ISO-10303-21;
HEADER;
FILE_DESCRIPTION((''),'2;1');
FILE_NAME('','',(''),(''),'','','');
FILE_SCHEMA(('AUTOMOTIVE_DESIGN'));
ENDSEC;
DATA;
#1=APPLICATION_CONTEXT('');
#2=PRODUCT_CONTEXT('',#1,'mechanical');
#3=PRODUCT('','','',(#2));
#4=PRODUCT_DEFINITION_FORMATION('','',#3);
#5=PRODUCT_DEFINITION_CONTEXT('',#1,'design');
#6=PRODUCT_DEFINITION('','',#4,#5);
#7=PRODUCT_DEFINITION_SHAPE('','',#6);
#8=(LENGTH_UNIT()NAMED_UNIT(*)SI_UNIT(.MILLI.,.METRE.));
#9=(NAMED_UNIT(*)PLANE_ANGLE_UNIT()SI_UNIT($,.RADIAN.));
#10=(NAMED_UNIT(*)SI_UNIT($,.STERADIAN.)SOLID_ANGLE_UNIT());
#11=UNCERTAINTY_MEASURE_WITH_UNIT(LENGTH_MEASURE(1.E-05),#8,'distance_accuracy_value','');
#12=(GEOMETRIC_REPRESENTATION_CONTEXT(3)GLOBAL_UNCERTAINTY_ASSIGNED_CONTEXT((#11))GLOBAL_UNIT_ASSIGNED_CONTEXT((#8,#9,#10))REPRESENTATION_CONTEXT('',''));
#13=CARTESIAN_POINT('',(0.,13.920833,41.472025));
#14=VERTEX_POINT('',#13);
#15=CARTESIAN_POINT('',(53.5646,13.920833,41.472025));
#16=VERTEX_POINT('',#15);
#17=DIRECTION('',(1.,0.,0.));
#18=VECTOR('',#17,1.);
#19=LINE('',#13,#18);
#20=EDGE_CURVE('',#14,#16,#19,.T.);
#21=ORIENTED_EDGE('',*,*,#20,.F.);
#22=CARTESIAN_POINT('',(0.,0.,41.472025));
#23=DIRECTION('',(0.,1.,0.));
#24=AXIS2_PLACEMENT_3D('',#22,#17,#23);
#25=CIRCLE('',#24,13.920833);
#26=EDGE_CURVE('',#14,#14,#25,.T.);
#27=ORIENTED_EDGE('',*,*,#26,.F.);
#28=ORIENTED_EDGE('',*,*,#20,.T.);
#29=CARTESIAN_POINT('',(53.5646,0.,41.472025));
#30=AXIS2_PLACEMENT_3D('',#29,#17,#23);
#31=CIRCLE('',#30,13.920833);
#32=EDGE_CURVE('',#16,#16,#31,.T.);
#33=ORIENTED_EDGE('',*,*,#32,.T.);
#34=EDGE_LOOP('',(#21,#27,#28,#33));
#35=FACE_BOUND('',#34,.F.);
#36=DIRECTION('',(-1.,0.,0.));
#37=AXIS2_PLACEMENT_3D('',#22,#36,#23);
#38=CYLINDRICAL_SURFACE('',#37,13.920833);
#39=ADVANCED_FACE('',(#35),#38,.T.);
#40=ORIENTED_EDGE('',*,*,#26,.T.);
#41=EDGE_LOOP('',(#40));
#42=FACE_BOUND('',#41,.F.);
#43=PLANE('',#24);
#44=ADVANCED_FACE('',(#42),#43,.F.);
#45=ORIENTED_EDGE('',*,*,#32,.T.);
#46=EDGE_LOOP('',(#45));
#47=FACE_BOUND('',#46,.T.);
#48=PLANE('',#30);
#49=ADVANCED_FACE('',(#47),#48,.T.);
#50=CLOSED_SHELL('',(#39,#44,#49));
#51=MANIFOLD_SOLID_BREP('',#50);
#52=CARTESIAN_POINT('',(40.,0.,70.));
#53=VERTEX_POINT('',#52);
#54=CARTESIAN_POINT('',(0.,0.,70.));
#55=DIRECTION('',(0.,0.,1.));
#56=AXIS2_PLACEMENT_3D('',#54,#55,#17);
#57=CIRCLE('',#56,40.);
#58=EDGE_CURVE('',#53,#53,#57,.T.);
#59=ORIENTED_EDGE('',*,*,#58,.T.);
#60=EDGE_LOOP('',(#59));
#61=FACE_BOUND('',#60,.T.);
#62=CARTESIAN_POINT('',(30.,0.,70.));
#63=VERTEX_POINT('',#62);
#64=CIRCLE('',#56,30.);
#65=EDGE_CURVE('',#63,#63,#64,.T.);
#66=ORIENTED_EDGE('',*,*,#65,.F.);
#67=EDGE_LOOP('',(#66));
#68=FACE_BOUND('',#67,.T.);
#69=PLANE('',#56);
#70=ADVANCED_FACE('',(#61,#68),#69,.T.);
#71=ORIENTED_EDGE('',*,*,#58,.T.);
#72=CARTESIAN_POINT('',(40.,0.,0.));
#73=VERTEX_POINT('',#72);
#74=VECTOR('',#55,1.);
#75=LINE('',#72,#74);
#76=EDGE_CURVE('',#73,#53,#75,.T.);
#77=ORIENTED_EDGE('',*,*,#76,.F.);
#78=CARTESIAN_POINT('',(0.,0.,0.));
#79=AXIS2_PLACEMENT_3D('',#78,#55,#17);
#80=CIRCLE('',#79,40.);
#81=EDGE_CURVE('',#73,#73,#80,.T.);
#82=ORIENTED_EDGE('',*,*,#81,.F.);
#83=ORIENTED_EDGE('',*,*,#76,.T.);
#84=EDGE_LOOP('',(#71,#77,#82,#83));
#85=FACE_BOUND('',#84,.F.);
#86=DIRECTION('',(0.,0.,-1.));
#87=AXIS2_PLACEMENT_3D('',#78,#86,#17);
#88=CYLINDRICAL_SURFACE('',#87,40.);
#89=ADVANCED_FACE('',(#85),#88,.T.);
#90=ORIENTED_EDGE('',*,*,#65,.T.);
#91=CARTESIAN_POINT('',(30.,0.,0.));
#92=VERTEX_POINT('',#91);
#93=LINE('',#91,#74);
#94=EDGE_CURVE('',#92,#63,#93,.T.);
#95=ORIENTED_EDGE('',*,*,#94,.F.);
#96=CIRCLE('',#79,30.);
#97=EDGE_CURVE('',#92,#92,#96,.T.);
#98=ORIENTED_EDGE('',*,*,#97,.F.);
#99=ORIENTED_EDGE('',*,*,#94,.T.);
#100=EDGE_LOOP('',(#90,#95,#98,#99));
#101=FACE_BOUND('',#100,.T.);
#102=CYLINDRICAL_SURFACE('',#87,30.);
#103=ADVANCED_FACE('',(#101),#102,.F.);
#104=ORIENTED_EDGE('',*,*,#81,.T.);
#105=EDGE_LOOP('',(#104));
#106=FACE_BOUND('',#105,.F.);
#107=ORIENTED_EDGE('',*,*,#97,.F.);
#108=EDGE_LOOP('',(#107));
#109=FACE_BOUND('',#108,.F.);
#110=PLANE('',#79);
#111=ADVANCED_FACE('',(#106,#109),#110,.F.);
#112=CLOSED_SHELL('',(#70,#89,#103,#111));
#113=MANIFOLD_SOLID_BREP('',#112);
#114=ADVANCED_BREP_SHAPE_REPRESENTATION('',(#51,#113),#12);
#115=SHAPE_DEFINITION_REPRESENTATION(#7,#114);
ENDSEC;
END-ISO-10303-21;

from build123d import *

# Parameters (mm, degrees)
F0_R     = 40
F0_R_2   = 30
F1_DEPTH = 70
F2_R     = 13.920833
F3_DEPTH = 53.5646


with BuildPart() as f1:
    # F0 (on Top) → F1 (new body)
    with BuildSketch(Plane.XY):
        Circle(F0_R)
        Circle(F0_R_2, mode=Mode.SUBTRACT)
    extrude(amount=F1_DEPTH)


with BuildPart() as f3:
    # F2 (on Right) → F3 (new body)
    with BuildSketch(Plane.YZ):
        with Locations((0, 41.472025)):
            Circle(F2_R)
    extrude(amount=F3_DEPTH)


solid = Compound([f1.part, f3.part])
